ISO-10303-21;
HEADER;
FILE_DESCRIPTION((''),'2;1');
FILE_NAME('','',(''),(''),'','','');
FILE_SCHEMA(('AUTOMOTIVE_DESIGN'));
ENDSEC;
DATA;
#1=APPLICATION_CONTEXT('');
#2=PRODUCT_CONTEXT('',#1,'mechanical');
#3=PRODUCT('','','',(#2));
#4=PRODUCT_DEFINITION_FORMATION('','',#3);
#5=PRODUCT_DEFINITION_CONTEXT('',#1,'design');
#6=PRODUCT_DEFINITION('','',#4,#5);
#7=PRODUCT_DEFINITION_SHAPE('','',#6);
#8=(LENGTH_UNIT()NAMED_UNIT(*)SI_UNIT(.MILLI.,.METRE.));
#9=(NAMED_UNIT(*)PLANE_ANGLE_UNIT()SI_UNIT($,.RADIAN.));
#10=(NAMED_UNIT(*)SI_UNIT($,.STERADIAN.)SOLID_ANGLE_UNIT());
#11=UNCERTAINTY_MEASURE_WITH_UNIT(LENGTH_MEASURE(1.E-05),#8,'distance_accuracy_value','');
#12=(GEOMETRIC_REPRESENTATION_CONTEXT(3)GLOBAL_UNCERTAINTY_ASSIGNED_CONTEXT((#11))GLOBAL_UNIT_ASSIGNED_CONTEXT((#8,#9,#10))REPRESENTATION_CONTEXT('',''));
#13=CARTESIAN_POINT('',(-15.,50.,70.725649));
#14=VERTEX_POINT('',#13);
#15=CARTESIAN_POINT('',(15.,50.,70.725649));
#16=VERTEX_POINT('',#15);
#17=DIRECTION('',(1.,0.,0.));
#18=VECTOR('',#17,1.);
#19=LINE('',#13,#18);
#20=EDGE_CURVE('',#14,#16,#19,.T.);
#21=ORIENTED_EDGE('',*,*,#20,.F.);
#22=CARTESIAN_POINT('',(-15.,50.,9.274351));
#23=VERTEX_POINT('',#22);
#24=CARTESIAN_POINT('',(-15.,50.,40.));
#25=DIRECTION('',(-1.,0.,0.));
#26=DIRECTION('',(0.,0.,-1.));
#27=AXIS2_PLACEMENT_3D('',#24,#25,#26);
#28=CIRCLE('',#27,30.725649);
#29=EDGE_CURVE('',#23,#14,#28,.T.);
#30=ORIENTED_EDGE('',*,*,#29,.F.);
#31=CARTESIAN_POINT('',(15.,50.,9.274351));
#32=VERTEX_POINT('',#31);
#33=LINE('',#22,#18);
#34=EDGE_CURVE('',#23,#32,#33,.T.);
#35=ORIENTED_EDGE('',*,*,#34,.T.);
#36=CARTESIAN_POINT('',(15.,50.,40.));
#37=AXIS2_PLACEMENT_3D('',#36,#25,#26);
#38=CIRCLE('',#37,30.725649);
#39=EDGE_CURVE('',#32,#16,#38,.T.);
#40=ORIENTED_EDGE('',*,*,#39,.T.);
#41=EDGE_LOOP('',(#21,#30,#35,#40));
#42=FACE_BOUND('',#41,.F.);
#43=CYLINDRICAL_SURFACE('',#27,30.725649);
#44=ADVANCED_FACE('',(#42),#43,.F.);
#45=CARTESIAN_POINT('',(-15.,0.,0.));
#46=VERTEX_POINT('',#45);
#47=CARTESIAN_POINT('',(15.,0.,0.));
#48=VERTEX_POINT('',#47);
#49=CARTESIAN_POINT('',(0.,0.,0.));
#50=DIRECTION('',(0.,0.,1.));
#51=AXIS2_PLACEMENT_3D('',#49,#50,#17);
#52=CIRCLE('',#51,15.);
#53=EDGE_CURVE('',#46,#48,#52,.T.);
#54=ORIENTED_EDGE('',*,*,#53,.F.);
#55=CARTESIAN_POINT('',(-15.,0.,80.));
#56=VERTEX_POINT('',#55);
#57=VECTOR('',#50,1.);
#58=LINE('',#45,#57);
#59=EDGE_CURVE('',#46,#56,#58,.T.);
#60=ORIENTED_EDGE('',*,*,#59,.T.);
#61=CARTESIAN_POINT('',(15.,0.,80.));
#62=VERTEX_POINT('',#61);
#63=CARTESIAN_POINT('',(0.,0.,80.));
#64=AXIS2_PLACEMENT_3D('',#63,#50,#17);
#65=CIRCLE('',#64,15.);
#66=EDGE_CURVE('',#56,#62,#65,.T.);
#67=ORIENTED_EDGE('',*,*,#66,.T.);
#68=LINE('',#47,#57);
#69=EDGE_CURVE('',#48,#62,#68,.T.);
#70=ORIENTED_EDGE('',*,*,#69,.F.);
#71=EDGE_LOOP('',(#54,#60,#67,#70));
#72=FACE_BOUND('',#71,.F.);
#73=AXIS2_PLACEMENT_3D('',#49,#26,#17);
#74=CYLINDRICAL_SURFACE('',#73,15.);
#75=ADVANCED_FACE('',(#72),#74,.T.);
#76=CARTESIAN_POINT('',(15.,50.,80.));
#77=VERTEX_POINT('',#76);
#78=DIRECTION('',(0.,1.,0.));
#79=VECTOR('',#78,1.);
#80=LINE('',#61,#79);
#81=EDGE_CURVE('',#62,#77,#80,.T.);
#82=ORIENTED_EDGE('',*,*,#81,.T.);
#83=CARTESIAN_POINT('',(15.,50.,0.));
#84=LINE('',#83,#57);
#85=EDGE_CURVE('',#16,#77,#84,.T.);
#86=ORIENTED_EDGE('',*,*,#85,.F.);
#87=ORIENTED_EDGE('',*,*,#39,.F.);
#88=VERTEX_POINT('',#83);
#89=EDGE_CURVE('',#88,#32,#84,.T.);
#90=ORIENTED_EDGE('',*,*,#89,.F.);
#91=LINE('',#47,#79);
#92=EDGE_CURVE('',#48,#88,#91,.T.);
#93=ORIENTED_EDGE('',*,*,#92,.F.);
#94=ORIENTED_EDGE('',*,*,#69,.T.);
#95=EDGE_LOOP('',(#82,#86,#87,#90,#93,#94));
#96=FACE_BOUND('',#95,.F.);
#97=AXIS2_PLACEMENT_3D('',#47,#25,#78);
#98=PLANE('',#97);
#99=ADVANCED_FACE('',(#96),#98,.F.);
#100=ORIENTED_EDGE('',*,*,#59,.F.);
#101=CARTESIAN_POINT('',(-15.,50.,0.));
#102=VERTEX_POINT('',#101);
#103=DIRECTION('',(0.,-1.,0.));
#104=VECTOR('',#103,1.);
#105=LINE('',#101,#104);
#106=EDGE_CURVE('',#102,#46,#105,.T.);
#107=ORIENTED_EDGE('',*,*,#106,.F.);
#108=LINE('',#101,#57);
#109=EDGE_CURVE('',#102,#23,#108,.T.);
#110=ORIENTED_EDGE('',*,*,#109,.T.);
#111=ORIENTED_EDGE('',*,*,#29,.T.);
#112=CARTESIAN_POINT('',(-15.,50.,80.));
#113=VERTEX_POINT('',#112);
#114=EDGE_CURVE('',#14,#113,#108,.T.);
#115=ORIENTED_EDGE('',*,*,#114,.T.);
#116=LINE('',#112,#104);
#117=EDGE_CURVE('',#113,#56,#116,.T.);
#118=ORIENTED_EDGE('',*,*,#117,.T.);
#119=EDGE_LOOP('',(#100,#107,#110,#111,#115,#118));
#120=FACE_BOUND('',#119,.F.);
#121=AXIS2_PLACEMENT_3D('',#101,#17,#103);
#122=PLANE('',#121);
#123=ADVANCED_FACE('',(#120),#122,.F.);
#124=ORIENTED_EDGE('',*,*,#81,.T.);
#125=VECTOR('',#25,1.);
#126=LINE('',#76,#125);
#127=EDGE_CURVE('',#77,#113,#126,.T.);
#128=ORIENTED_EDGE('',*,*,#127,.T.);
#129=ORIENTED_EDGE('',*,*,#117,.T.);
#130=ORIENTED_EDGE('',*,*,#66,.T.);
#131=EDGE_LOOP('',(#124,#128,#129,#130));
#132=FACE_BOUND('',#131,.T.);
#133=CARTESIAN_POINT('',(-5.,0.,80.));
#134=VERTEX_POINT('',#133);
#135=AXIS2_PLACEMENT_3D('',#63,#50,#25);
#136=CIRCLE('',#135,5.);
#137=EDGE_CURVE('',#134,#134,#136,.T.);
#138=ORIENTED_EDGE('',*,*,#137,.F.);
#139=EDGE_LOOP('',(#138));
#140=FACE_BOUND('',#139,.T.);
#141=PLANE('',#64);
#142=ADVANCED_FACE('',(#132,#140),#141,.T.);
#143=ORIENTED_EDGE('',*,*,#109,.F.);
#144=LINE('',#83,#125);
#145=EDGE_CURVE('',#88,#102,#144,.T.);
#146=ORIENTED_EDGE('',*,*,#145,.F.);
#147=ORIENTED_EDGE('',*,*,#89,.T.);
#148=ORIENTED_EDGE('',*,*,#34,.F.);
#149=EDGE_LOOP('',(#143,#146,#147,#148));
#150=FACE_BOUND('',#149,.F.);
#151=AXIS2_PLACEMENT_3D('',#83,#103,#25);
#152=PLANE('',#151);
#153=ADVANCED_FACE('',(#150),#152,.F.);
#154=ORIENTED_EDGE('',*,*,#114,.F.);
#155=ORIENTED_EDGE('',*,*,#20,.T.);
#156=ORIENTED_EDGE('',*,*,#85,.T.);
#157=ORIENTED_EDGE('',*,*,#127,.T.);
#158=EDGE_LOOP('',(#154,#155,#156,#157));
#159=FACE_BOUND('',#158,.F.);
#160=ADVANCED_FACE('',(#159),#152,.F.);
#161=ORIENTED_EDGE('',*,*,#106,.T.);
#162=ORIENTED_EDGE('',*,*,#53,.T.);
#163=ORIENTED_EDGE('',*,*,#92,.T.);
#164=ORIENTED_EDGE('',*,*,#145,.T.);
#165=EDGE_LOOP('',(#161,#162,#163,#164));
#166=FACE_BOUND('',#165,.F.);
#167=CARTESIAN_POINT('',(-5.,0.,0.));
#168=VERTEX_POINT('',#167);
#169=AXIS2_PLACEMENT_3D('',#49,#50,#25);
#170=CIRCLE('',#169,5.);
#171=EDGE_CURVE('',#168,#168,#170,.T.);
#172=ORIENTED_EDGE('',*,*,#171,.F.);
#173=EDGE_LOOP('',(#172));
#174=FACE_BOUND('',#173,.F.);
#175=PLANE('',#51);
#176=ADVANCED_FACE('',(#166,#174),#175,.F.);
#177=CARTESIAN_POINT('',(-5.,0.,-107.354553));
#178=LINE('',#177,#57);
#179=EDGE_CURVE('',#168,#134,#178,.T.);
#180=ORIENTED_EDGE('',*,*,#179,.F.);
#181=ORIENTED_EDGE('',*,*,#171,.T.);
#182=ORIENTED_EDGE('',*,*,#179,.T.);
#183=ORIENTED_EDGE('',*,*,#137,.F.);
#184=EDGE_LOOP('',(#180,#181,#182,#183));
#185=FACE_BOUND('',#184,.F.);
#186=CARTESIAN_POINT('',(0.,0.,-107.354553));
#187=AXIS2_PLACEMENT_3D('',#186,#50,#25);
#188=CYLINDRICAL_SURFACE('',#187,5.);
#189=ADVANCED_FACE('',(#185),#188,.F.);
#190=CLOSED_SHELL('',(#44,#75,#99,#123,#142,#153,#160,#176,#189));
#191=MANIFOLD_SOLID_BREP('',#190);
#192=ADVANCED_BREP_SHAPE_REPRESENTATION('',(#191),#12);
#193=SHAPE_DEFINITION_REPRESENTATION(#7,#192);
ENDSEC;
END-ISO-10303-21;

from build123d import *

# Parameters (mm, degrees)
F1_DEPTH = 80
F3_DEPTH = 55
F5_D     = 10


with BuildPart() as f1:
    # F0 (on Top) → F1 (new body)
    with BuildSketch(Plane.XY):
        with BuildLine():
            ThreePointArc((-15, 0), (0, -15), (15, 0))
            ThreePointArc((15, 0), (0, 15), (-15, 0))
        make_face()
        with BuildLine():
            ThreePointArc((-15, 0), (0, 15), (15, 0))
            Line((15, 0), (15, 50))
            Line((15, 50), (-15, 50))
            Line((-15, 50), (-15, 0))
        make_face()
    extrude(amount=F1_DEPTH)

    # F2 (on face) → F3 (cut)
    with BuildSketch(Plane(origin=(-15, 0, 0), x_dir=(0, -1, 0), z_dir=(-1, 0, 0))):
        with BuildLine():
            ThreePointArc((-50, 9.274351), (-19.274351, 40), (-50, 70.725649))
            Line((-50, 70.725649), (-50, 9.274351))
        make_face()
    extrude(amount=-F3_DEPTH, mode=Mode.SUBTRACT)

    # F5 (through all)
    with Locations(Plane(origin=(0, 0, 0), x_dir=(1, 0, 0), z_dir=(0, 0, -1))):
        with Locations((0, 0)):
            Hole(F5_D / 2)


solid = f1.part
